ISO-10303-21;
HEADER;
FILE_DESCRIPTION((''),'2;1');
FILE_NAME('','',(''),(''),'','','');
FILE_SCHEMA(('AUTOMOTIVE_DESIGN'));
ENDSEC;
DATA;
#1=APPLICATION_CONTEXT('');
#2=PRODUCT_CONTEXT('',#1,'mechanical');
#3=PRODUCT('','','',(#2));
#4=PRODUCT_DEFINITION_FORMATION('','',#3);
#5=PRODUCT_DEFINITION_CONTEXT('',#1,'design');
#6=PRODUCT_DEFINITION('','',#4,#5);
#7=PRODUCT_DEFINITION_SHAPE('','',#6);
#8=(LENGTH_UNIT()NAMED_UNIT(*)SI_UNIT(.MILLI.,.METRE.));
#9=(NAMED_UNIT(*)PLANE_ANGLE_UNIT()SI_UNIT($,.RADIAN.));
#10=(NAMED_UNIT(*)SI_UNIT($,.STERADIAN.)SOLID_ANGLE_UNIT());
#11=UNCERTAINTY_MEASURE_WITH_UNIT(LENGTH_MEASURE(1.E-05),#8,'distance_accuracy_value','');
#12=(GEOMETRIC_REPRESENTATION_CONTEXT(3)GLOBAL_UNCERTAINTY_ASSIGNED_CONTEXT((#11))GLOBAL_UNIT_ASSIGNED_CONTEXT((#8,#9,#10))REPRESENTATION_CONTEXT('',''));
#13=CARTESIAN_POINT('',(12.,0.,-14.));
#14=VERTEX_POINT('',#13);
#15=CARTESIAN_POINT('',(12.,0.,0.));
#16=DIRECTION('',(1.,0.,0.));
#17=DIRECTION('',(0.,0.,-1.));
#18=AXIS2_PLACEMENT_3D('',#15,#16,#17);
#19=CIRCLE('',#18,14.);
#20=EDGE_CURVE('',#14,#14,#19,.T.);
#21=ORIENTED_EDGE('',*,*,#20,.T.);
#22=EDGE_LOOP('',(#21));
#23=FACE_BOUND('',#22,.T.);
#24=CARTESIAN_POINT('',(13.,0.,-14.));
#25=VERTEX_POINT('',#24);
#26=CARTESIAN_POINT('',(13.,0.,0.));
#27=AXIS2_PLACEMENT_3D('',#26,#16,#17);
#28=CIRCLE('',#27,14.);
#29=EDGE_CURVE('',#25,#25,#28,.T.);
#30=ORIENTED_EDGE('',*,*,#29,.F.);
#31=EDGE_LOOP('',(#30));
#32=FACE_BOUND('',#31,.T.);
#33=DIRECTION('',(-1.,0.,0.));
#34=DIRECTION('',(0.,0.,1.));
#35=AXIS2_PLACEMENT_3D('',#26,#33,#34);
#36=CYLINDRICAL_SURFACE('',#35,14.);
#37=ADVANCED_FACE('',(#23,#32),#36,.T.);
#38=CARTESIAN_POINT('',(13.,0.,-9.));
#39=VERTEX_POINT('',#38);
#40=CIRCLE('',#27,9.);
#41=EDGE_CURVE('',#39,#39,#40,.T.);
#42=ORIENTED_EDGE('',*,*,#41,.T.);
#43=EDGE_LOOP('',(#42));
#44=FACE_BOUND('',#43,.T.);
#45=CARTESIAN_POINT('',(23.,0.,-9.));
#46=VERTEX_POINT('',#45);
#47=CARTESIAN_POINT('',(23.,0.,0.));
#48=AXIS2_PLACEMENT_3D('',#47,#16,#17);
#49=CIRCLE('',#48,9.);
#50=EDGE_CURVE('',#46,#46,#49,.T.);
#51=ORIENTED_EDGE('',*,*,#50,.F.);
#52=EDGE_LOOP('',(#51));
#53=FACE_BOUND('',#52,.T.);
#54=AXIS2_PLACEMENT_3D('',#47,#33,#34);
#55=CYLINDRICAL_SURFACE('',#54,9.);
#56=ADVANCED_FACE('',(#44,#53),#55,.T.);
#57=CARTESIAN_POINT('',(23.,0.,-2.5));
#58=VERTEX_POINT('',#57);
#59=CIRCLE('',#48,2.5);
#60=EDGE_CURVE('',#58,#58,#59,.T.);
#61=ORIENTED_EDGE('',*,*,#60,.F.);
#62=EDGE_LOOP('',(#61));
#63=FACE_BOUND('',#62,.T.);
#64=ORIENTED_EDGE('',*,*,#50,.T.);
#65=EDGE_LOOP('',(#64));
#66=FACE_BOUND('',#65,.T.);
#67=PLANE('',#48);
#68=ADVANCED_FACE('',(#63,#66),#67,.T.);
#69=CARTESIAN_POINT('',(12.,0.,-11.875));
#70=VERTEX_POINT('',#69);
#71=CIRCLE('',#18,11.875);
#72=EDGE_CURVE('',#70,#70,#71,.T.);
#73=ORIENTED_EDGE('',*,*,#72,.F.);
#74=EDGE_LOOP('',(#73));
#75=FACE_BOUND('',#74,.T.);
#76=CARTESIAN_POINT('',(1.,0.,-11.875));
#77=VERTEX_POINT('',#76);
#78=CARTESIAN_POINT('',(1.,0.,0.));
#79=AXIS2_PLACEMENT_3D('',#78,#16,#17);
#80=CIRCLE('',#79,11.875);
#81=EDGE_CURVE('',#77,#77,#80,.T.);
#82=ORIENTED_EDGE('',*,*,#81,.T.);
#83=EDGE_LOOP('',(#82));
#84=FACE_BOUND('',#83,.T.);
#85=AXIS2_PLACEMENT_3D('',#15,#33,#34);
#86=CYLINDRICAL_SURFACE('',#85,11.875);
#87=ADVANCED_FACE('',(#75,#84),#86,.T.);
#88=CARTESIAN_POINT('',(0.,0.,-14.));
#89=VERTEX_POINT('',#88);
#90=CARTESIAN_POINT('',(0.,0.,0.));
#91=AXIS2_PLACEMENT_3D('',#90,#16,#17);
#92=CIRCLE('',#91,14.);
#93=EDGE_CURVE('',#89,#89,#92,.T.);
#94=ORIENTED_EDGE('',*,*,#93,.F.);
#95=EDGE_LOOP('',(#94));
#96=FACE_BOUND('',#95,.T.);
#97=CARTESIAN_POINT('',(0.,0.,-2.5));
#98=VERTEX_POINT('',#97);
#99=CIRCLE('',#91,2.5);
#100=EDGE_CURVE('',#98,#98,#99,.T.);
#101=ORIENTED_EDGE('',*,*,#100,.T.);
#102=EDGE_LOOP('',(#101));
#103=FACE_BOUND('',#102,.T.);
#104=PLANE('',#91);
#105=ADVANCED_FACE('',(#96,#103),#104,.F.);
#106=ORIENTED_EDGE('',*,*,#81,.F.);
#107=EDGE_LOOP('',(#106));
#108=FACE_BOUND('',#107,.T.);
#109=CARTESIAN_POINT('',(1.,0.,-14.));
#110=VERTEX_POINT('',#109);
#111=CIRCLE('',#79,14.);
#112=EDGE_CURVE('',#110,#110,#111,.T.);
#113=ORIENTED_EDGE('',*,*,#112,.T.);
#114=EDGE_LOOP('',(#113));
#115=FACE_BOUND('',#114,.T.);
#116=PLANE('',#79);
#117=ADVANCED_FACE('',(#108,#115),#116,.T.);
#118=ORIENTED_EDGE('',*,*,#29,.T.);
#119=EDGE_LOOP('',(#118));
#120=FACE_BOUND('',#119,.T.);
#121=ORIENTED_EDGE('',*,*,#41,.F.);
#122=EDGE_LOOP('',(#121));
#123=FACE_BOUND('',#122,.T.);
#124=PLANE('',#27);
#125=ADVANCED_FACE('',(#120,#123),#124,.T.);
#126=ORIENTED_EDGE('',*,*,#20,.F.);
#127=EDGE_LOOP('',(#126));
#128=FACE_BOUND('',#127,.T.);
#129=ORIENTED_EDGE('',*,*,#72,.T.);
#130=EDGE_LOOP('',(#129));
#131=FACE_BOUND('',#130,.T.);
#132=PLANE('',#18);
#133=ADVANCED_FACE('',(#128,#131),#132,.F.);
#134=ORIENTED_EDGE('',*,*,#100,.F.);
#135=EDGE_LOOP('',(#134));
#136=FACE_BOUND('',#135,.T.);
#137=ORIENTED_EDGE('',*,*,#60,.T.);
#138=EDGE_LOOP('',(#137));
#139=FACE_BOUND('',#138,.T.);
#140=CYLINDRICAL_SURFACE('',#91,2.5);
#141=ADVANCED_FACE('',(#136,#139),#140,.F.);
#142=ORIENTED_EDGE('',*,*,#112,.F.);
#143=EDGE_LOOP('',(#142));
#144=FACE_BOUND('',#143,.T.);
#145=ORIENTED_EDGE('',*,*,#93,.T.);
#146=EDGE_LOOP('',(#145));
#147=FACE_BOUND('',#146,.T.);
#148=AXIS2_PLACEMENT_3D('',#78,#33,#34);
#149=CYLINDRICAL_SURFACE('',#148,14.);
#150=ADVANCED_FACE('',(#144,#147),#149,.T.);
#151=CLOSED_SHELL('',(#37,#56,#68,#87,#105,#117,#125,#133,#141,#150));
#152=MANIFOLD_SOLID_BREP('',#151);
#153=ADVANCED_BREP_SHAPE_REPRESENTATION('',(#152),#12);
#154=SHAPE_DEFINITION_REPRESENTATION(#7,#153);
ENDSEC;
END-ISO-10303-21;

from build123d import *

# Parameters (mm, degrees)
SKETCH1_R           = 14
BOSS_EXTRUDE1_DEPTH = 1
SKETCH2_R           = 11.875
BOSS_EXTRUDE2_DEPTH = 11
SKETCH3_R           = 14
BOSS_EXTRUDE3_DEPTH = 1
SKETCH4_R           = 9
BOSS_EXTRUDE4_DEPTH = 10
SKETCH5_R           = 2.5
CUT_EXTRUDE1_DEPTH  = 31.347981811


with BuildPart() as part:
    # Sketch1 → Boss-Extrude1 (new body)
    with BuildSketch(Plane(origin=(0, 0, 0), x_dir=(0, 0, -1), z_dir=(1, 0, 0))):
        Circle(SKETCH1_R)
    extrude(amount=BOSS_EXTRUDE1_DEPTH)

    # Sketch2 → Boss-Extrude2 (add)
    with BuildSketch(Plane(origin=(1, 0, 0), x_dir=(0, 0, -1), z_dir=(1, 0, 0))):
        Circle(SKETCH2_R)
    extrude(amount=BOSS_EXTRUDE2_DEPTH)

    # Sketch3 → Boss-Extrude3 (add)
    with BuildSketch(Plane(origin=(12, 0, 0), x_dir=(0, 0, -1), z_dir=(1, 0, 0))):
        Circle(SKETCH3_R)
    extrude(amount=BOSS_EXTRUDE3_DEPTH)

    # Sketch4 → Boss-Extrude4 (add)
    with BuildSketch(Plane(origin=(13, 0, 0), x_dir=(0, 0, -1), z_dir=(1, 0, 0))):
        Circle(SKETCH4_R)
    extrude(amount=BOSS_EXTRUDE4_DEPTH)

    # Sketch5 → Cut-Extrude1 (cut, through all)
    with BuildSketch(Plane(origin=(23, 0, 0), x_dir=(0, 0, -1), z_dir=(1, 0, 0))):
        Circle(SKETCH5_R)
    extrude(amount=-CUT_EXTRUDE1_DEPTH, mode=Mode.SUBTRACT)


solid = part.part
